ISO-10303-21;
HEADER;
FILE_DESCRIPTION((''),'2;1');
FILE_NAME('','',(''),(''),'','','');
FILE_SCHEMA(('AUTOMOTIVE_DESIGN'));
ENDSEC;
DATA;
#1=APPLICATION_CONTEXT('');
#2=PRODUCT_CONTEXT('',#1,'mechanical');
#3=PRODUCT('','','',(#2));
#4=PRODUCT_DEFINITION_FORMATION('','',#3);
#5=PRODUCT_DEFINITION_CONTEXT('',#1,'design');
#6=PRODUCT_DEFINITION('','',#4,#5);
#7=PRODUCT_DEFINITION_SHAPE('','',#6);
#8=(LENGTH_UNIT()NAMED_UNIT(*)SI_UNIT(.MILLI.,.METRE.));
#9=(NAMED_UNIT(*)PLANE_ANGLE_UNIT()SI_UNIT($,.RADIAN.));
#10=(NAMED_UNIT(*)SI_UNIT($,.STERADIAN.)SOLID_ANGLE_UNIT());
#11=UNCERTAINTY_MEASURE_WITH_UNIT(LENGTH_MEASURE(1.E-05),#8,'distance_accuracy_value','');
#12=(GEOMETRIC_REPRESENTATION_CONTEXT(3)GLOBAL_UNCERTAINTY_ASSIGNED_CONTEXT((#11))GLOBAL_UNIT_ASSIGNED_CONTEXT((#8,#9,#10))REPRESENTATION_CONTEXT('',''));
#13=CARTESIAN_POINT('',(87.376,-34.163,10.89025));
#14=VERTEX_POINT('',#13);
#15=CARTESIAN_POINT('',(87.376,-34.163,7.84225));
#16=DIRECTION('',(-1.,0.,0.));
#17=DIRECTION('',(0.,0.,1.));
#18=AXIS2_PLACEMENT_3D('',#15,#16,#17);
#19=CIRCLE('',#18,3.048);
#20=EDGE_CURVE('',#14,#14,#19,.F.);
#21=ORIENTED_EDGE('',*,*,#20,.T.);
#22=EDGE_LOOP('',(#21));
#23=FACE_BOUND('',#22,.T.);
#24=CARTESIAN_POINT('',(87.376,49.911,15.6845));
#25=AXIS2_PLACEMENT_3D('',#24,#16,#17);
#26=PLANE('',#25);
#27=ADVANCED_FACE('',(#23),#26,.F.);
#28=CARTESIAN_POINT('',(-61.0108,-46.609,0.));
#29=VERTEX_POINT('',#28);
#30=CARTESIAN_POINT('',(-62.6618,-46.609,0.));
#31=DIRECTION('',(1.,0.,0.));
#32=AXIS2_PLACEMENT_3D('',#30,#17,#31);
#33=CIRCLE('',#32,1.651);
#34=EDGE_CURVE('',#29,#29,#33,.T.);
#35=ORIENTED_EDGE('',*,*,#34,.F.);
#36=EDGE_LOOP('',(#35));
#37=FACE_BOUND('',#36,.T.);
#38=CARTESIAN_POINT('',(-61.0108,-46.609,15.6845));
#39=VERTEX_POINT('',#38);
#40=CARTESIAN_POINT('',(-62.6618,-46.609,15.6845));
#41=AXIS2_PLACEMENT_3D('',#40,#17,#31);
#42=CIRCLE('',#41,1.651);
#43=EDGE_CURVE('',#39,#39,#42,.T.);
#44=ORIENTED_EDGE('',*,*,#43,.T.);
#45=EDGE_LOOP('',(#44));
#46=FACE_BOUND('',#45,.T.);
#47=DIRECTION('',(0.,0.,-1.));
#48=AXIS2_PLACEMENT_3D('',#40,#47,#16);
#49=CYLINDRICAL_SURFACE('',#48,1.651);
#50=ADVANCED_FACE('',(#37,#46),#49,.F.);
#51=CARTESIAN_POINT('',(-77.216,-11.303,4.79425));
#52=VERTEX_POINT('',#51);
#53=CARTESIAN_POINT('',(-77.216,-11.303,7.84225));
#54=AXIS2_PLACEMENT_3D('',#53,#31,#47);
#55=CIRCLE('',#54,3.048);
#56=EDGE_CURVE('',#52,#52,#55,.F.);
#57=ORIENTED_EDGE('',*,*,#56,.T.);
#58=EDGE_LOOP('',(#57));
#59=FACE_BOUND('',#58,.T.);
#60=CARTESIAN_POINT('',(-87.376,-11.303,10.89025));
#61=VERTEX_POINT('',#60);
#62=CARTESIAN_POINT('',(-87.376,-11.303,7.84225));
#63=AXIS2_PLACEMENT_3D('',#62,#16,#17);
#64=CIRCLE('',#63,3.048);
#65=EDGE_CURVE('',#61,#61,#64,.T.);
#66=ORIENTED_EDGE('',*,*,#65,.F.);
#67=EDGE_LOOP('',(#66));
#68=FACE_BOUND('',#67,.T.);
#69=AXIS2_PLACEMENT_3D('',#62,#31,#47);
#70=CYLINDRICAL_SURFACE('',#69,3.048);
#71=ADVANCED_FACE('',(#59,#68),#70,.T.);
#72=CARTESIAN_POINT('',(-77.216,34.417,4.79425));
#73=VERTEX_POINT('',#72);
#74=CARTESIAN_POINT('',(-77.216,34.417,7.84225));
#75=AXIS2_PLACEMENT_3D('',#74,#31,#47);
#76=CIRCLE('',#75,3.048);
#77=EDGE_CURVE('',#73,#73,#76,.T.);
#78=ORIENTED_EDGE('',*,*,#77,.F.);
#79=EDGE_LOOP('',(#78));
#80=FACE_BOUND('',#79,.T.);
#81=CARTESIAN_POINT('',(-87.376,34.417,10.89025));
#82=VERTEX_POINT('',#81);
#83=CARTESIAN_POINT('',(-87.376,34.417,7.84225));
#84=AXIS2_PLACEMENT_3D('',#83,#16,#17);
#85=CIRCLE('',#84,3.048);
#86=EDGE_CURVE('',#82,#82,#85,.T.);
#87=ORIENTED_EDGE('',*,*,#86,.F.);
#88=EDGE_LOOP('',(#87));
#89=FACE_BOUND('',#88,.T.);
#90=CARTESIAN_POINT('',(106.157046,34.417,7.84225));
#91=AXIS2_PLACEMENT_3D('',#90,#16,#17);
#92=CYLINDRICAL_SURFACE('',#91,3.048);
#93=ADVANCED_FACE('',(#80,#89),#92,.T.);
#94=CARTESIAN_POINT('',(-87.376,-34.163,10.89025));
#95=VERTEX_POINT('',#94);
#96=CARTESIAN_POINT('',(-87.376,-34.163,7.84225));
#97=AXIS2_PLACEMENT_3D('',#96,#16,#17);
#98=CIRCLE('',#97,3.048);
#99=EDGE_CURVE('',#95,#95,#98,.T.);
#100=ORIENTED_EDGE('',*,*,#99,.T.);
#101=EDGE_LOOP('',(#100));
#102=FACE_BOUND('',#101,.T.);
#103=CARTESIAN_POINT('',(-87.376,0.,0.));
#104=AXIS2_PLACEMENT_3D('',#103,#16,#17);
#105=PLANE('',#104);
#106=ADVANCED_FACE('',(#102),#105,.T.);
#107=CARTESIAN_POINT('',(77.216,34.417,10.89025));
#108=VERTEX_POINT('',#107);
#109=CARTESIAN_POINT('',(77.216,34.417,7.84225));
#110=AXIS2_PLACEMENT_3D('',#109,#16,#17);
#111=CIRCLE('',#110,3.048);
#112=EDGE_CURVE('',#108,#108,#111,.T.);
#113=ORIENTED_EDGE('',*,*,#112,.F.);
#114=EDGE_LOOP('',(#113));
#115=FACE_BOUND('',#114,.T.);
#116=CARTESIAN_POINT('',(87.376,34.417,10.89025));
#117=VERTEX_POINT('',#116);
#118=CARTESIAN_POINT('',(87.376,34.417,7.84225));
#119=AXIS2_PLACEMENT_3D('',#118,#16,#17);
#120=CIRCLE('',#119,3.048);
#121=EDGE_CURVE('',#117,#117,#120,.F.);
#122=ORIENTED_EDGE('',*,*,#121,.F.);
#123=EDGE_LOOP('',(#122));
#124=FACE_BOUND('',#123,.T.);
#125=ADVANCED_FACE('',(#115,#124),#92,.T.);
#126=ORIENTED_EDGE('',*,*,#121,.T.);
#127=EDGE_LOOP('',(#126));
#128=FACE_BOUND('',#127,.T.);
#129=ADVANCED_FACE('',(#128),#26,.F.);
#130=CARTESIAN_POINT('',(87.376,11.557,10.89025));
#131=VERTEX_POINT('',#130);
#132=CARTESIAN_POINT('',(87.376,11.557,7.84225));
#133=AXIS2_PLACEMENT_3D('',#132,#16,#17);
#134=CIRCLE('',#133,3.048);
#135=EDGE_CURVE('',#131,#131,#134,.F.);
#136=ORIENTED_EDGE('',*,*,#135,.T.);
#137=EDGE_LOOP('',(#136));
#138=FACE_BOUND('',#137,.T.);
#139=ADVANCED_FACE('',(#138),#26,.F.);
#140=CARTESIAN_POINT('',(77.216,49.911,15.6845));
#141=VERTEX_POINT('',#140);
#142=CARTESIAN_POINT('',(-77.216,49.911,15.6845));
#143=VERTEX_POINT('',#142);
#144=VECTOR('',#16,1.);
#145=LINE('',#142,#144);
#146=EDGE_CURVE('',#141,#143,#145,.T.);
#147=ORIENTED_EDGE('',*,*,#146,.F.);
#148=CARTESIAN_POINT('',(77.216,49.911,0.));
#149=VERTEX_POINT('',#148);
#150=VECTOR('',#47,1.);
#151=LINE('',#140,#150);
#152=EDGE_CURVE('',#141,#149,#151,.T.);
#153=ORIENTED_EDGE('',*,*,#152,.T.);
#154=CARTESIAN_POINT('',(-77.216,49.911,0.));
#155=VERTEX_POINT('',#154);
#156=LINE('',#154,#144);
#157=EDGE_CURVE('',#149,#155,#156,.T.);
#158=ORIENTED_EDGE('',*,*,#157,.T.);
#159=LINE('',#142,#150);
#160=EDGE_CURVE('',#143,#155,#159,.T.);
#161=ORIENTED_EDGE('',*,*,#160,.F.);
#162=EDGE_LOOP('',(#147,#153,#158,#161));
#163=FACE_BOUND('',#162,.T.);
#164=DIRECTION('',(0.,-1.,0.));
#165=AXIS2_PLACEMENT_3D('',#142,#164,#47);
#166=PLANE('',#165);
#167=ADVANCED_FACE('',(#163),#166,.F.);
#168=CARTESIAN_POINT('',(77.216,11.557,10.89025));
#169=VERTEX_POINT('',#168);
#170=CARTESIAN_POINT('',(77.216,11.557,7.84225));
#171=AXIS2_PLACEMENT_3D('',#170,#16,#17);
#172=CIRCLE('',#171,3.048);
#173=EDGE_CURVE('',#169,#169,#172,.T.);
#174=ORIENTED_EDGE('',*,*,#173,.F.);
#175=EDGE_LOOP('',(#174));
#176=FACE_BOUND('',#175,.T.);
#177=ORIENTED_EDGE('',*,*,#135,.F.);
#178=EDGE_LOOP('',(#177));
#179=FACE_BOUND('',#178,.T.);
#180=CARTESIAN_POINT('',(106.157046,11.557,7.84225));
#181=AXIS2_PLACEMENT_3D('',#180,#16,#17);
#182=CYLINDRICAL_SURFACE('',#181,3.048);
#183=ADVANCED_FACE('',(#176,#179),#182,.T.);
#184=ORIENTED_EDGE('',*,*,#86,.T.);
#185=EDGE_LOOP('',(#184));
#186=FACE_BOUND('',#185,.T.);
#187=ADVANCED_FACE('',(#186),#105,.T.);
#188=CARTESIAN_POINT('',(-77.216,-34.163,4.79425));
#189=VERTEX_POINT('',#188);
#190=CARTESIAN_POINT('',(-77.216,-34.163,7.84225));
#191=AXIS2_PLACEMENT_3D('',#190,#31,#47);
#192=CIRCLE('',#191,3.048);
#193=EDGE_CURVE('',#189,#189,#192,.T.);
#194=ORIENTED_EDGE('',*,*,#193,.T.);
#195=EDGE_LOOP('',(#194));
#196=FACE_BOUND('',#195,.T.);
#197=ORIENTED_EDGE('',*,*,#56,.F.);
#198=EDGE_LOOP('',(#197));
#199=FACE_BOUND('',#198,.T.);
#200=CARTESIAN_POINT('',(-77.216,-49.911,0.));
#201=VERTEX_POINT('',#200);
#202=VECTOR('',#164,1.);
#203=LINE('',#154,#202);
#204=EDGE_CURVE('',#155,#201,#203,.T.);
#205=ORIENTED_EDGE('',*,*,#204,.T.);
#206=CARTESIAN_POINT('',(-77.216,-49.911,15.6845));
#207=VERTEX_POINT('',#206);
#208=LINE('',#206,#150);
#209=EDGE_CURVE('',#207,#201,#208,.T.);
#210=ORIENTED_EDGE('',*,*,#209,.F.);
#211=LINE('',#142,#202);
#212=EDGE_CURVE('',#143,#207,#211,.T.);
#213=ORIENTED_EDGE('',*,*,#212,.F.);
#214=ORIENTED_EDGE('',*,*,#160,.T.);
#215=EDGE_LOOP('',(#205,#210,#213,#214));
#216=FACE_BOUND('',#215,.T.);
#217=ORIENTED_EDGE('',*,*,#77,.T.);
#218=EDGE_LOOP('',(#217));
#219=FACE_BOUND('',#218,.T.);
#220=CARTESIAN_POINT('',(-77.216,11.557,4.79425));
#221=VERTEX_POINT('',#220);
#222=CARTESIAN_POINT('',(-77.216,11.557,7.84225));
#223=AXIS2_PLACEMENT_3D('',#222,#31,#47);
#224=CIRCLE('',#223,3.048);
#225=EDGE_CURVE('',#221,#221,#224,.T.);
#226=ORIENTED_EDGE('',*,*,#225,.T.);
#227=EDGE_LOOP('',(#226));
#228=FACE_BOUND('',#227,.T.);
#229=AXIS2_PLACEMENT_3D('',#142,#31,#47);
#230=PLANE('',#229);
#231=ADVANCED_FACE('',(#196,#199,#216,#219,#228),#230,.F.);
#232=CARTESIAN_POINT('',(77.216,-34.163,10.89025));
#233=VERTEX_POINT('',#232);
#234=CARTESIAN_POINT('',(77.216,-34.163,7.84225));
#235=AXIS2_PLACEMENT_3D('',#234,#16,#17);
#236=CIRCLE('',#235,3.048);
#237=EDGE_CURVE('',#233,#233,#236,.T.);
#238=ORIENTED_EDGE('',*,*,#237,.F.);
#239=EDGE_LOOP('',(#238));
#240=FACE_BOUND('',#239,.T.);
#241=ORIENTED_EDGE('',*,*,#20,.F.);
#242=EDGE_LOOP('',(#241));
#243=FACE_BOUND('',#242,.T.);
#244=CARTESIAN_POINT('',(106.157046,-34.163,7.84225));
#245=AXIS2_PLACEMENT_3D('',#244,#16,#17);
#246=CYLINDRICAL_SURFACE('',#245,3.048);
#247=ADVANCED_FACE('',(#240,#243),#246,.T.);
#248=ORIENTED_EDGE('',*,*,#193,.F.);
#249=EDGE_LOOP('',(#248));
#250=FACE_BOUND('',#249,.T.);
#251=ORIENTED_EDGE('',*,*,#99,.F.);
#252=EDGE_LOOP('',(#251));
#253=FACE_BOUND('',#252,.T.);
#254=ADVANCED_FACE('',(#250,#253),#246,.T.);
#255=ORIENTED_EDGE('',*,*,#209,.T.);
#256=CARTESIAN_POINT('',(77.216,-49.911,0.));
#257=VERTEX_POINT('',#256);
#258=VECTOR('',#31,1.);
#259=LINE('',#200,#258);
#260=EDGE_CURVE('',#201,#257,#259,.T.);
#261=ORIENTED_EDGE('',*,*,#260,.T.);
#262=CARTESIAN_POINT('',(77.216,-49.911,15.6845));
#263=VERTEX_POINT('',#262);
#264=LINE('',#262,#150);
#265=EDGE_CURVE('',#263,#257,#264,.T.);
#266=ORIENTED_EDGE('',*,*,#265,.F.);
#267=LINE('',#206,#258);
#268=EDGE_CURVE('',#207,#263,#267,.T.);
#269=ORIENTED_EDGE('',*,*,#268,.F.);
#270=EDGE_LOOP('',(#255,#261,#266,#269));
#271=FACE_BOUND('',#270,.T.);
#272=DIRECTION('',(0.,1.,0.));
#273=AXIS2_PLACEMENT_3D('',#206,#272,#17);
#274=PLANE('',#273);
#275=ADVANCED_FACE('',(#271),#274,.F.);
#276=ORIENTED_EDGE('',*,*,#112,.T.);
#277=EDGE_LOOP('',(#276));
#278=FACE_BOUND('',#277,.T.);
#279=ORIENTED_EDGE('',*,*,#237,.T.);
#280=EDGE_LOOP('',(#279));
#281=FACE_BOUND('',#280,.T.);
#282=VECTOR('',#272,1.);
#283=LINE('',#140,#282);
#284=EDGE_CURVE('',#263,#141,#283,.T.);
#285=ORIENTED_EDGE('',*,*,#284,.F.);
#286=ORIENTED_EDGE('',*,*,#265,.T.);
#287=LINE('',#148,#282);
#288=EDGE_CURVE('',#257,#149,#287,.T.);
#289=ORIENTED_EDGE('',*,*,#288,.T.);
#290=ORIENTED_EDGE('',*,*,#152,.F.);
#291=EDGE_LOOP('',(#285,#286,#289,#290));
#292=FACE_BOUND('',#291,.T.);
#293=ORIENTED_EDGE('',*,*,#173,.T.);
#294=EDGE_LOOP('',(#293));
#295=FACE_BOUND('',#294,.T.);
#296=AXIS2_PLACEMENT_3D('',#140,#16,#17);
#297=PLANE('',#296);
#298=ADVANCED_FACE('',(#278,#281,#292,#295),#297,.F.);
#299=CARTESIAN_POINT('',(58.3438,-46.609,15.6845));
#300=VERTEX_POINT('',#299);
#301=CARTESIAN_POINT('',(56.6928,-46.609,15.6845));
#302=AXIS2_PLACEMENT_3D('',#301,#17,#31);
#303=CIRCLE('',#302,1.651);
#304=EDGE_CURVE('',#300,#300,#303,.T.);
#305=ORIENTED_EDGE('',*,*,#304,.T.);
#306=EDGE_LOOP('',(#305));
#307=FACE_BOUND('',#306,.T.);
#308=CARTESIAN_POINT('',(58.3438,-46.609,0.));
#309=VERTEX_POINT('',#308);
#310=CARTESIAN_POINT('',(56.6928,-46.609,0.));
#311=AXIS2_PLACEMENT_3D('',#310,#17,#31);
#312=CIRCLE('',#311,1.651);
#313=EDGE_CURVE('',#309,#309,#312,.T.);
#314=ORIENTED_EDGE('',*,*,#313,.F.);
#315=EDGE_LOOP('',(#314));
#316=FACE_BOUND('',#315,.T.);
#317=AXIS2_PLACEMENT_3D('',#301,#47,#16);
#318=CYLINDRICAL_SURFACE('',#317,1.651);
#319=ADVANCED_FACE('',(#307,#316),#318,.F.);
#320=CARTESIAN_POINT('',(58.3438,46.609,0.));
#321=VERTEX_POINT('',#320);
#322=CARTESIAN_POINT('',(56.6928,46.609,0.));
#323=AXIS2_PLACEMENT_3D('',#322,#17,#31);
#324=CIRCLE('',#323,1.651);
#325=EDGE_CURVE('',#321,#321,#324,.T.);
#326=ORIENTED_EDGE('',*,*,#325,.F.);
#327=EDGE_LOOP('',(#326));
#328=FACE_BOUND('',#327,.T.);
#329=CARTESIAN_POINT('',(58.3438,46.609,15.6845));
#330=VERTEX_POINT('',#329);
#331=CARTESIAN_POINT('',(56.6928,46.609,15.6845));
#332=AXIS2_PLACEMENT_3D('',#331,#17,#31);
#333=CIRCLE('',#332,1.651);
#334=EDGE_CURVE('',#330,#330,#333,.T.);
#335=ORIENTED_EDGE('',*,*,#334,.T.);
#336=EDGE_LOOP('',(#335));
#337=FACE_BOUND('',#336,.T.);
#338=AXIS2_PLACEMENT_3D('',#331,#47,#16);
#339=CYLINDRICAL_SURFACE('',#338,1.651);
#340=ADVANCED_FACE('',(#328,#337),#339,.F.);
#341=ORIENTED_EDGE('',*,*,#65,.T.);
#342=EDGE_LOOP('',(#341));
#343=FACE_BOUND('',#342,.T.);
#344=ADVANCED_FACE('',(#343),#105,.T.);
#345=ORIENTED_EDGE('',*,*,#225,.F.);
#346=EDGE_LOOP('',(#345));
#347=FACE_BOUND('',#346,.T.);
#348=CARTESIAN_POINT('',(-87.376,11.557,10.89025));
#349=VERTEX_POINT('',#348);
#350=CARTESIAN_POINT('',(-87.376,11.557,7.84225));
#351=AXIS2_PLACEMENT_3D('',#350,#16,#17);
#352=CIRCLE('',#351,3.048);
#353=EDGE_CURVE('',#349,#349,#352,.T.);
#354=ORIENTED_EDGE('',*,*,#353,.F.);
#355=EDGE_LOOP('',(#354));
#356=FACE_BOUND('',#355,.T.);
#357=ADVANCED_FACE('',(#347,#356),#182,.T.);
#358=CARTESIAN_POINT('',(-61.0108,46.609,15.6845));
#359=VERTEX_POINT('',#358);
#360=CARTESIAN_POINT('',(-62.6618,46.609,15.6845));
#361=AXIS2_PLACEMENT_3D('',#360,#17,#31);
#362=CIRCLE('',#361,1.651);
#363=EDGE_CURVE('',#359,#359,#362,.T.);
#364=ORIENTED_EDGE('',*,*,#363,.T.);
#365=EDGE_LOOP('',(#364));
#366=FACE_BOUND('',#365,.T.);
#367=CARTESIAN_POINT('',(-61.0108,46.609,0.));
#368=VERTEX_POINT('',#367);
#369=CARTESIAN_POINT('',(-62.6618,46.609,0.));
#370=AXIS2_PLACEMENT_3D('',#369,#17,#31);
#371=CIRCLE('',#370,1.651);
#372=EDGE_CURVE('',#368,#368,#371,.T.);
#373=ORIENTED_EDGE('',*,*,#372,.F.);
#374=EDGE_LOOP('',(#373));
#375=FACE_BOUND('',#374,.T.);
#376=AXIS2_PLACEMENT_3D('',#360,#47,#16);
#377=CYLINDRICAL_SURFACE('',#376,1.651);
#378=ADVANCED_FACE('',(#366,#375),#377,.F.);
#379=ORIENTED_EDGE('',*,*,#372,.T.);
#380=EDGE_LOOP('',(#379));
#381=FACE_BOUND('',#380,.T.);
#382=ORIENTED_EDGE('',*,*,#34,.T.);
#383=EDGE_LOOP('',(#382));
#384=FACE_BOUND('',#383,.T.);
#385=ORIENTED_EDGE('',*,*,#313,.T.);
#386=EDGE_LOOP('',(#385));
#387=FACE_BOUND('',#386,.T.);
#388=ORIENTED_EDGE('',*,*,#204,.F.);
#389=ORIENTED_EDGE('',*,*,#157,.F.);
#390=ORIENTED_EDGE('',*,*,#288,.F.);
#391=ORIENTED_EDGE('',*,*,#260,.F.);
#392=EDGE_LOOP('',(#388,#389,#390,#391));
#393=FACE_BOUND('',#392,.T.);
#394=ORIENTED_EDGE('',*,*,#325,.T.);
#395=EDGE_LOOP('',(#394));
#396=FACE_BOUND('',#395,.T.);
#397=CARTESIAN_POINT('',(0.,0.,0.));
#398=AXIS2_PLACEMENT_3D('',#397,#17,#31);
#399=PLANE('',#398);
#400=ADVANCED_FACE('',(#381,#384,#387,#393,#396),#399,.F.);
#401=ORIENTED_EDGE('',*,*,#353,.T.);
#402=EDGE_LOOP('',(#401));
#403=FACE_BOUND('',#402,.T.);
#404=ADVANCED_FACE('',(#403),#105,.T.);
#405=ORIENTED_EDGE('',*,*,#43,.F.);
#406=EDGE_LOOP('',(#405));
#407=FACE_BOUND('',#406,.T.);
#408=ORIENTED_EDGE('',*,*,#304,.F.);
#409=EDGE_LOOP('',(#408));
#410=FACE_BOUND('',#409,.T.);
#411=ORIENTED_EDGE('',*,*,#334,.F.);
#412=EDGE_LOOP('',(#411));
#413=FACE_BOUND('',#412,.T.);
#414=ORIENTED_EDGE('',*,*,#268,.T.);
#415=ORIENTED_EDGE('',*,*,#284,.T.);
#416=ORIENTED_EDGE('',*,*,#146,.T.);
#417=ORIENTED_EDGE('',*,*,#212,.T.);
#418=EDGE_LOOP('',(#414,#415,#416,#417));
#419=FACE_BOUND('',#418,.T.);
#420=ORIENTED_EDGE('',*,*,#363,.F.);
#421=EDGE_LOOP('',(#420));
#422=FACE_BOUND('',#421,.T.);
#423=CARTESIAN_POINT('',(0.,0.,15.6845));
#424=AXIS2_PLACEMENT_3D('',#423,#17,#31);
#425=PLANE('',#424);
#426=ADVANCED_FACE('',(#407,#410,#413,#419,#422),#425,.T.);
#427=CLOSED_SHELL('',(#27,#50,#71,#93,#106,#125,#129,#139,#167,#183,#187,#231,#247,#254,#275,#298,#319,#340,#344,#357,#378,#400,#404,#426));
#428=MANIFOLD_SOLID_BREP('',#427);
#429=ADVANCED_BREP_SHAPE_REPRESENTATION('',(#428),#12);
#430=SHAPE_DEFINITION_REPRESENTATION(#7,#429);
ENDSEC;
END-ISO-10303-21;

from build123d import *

# Parameters (mm, degrees)
SKETCH1_W                = 154.432
SKETCH1_H                = 99.822
BOSS_EXTRUDE1_DEPTH      = 15.6845
BOSS_EXTRUDE2_DEPTH      = 10.16
BOSS_EXTRUDE2_DEPTH_BACK = 164.592
SKETCH2_R                = 3.048
SKETCH2_3_R              = 3.048
BOSS_EXTRUDE3_DEPTH      = 10.16
SKETCH3_R                = 1.651
CUT_EXTRUDE1_DEPTH       = 102.841429866


with BuildPart() as part:
    # Sketch1 → Boss-Extrude1 (new body)
    with BuildSketch(Plane.XY):
        Rectangle(SKETCH1_W, SKETCH1_H)
    extrude(amount=BOSS_EXTRUDE1_DEPTH)

    # Sketch2 → Boss-Extrude2 (add, two sides: drawn at the far end of the back side and taken through both)
    with BuildSketch(Plane.ZY.offset(77.216).offset(-BOSS_EXTRUDE2_DEPTH_BACK)):
        with Locations((7.84225, 34.417)):
            Circle(SKETCH2_R)
        with Locations((7.84225, 11.557)):
            Circle(SKETCH2_R)
        with Locations((7.84225, -34.163)):
            Circle(SKETCH2_R)
    extrude(amount=BOSS_EXTRUDE2_DEPTH + BOSS_EXTRUDE2_DEPTH_BACK)

    # Sketch2<3> → Boss-Extrude3 (add)
    with BuildSketch(Plane.ZY.offset(77.216)):
        with Locations(Location((7.84225, -11.303, 0), (0, 0, 180))):
            Circle(SKETCH2_3_R)
    extrude(amount=BOSS_EXTRUDE3_DEPTH)

    # Sketch3 → Cut-Extrude1 (cut, through all)
    with BuildSketch(Plane.XY):
        with Locations((-62.6618, 46.609)):
            Circle(SKETCH3_R)
        with Locations((-62.6618, -46.609)):
            Circle(SKETCH3_R)
        with Locations((56.6928, -46.609)):
            Circle(SKETCH3_R)
        with Locations((56.6928, 46.609)):
            Circle(SKETCH3_R)
    extrude(amount=CUT_EXTRUDE1_DEPTH, mode=Mode.SUBTRACT)


solid = part.part
